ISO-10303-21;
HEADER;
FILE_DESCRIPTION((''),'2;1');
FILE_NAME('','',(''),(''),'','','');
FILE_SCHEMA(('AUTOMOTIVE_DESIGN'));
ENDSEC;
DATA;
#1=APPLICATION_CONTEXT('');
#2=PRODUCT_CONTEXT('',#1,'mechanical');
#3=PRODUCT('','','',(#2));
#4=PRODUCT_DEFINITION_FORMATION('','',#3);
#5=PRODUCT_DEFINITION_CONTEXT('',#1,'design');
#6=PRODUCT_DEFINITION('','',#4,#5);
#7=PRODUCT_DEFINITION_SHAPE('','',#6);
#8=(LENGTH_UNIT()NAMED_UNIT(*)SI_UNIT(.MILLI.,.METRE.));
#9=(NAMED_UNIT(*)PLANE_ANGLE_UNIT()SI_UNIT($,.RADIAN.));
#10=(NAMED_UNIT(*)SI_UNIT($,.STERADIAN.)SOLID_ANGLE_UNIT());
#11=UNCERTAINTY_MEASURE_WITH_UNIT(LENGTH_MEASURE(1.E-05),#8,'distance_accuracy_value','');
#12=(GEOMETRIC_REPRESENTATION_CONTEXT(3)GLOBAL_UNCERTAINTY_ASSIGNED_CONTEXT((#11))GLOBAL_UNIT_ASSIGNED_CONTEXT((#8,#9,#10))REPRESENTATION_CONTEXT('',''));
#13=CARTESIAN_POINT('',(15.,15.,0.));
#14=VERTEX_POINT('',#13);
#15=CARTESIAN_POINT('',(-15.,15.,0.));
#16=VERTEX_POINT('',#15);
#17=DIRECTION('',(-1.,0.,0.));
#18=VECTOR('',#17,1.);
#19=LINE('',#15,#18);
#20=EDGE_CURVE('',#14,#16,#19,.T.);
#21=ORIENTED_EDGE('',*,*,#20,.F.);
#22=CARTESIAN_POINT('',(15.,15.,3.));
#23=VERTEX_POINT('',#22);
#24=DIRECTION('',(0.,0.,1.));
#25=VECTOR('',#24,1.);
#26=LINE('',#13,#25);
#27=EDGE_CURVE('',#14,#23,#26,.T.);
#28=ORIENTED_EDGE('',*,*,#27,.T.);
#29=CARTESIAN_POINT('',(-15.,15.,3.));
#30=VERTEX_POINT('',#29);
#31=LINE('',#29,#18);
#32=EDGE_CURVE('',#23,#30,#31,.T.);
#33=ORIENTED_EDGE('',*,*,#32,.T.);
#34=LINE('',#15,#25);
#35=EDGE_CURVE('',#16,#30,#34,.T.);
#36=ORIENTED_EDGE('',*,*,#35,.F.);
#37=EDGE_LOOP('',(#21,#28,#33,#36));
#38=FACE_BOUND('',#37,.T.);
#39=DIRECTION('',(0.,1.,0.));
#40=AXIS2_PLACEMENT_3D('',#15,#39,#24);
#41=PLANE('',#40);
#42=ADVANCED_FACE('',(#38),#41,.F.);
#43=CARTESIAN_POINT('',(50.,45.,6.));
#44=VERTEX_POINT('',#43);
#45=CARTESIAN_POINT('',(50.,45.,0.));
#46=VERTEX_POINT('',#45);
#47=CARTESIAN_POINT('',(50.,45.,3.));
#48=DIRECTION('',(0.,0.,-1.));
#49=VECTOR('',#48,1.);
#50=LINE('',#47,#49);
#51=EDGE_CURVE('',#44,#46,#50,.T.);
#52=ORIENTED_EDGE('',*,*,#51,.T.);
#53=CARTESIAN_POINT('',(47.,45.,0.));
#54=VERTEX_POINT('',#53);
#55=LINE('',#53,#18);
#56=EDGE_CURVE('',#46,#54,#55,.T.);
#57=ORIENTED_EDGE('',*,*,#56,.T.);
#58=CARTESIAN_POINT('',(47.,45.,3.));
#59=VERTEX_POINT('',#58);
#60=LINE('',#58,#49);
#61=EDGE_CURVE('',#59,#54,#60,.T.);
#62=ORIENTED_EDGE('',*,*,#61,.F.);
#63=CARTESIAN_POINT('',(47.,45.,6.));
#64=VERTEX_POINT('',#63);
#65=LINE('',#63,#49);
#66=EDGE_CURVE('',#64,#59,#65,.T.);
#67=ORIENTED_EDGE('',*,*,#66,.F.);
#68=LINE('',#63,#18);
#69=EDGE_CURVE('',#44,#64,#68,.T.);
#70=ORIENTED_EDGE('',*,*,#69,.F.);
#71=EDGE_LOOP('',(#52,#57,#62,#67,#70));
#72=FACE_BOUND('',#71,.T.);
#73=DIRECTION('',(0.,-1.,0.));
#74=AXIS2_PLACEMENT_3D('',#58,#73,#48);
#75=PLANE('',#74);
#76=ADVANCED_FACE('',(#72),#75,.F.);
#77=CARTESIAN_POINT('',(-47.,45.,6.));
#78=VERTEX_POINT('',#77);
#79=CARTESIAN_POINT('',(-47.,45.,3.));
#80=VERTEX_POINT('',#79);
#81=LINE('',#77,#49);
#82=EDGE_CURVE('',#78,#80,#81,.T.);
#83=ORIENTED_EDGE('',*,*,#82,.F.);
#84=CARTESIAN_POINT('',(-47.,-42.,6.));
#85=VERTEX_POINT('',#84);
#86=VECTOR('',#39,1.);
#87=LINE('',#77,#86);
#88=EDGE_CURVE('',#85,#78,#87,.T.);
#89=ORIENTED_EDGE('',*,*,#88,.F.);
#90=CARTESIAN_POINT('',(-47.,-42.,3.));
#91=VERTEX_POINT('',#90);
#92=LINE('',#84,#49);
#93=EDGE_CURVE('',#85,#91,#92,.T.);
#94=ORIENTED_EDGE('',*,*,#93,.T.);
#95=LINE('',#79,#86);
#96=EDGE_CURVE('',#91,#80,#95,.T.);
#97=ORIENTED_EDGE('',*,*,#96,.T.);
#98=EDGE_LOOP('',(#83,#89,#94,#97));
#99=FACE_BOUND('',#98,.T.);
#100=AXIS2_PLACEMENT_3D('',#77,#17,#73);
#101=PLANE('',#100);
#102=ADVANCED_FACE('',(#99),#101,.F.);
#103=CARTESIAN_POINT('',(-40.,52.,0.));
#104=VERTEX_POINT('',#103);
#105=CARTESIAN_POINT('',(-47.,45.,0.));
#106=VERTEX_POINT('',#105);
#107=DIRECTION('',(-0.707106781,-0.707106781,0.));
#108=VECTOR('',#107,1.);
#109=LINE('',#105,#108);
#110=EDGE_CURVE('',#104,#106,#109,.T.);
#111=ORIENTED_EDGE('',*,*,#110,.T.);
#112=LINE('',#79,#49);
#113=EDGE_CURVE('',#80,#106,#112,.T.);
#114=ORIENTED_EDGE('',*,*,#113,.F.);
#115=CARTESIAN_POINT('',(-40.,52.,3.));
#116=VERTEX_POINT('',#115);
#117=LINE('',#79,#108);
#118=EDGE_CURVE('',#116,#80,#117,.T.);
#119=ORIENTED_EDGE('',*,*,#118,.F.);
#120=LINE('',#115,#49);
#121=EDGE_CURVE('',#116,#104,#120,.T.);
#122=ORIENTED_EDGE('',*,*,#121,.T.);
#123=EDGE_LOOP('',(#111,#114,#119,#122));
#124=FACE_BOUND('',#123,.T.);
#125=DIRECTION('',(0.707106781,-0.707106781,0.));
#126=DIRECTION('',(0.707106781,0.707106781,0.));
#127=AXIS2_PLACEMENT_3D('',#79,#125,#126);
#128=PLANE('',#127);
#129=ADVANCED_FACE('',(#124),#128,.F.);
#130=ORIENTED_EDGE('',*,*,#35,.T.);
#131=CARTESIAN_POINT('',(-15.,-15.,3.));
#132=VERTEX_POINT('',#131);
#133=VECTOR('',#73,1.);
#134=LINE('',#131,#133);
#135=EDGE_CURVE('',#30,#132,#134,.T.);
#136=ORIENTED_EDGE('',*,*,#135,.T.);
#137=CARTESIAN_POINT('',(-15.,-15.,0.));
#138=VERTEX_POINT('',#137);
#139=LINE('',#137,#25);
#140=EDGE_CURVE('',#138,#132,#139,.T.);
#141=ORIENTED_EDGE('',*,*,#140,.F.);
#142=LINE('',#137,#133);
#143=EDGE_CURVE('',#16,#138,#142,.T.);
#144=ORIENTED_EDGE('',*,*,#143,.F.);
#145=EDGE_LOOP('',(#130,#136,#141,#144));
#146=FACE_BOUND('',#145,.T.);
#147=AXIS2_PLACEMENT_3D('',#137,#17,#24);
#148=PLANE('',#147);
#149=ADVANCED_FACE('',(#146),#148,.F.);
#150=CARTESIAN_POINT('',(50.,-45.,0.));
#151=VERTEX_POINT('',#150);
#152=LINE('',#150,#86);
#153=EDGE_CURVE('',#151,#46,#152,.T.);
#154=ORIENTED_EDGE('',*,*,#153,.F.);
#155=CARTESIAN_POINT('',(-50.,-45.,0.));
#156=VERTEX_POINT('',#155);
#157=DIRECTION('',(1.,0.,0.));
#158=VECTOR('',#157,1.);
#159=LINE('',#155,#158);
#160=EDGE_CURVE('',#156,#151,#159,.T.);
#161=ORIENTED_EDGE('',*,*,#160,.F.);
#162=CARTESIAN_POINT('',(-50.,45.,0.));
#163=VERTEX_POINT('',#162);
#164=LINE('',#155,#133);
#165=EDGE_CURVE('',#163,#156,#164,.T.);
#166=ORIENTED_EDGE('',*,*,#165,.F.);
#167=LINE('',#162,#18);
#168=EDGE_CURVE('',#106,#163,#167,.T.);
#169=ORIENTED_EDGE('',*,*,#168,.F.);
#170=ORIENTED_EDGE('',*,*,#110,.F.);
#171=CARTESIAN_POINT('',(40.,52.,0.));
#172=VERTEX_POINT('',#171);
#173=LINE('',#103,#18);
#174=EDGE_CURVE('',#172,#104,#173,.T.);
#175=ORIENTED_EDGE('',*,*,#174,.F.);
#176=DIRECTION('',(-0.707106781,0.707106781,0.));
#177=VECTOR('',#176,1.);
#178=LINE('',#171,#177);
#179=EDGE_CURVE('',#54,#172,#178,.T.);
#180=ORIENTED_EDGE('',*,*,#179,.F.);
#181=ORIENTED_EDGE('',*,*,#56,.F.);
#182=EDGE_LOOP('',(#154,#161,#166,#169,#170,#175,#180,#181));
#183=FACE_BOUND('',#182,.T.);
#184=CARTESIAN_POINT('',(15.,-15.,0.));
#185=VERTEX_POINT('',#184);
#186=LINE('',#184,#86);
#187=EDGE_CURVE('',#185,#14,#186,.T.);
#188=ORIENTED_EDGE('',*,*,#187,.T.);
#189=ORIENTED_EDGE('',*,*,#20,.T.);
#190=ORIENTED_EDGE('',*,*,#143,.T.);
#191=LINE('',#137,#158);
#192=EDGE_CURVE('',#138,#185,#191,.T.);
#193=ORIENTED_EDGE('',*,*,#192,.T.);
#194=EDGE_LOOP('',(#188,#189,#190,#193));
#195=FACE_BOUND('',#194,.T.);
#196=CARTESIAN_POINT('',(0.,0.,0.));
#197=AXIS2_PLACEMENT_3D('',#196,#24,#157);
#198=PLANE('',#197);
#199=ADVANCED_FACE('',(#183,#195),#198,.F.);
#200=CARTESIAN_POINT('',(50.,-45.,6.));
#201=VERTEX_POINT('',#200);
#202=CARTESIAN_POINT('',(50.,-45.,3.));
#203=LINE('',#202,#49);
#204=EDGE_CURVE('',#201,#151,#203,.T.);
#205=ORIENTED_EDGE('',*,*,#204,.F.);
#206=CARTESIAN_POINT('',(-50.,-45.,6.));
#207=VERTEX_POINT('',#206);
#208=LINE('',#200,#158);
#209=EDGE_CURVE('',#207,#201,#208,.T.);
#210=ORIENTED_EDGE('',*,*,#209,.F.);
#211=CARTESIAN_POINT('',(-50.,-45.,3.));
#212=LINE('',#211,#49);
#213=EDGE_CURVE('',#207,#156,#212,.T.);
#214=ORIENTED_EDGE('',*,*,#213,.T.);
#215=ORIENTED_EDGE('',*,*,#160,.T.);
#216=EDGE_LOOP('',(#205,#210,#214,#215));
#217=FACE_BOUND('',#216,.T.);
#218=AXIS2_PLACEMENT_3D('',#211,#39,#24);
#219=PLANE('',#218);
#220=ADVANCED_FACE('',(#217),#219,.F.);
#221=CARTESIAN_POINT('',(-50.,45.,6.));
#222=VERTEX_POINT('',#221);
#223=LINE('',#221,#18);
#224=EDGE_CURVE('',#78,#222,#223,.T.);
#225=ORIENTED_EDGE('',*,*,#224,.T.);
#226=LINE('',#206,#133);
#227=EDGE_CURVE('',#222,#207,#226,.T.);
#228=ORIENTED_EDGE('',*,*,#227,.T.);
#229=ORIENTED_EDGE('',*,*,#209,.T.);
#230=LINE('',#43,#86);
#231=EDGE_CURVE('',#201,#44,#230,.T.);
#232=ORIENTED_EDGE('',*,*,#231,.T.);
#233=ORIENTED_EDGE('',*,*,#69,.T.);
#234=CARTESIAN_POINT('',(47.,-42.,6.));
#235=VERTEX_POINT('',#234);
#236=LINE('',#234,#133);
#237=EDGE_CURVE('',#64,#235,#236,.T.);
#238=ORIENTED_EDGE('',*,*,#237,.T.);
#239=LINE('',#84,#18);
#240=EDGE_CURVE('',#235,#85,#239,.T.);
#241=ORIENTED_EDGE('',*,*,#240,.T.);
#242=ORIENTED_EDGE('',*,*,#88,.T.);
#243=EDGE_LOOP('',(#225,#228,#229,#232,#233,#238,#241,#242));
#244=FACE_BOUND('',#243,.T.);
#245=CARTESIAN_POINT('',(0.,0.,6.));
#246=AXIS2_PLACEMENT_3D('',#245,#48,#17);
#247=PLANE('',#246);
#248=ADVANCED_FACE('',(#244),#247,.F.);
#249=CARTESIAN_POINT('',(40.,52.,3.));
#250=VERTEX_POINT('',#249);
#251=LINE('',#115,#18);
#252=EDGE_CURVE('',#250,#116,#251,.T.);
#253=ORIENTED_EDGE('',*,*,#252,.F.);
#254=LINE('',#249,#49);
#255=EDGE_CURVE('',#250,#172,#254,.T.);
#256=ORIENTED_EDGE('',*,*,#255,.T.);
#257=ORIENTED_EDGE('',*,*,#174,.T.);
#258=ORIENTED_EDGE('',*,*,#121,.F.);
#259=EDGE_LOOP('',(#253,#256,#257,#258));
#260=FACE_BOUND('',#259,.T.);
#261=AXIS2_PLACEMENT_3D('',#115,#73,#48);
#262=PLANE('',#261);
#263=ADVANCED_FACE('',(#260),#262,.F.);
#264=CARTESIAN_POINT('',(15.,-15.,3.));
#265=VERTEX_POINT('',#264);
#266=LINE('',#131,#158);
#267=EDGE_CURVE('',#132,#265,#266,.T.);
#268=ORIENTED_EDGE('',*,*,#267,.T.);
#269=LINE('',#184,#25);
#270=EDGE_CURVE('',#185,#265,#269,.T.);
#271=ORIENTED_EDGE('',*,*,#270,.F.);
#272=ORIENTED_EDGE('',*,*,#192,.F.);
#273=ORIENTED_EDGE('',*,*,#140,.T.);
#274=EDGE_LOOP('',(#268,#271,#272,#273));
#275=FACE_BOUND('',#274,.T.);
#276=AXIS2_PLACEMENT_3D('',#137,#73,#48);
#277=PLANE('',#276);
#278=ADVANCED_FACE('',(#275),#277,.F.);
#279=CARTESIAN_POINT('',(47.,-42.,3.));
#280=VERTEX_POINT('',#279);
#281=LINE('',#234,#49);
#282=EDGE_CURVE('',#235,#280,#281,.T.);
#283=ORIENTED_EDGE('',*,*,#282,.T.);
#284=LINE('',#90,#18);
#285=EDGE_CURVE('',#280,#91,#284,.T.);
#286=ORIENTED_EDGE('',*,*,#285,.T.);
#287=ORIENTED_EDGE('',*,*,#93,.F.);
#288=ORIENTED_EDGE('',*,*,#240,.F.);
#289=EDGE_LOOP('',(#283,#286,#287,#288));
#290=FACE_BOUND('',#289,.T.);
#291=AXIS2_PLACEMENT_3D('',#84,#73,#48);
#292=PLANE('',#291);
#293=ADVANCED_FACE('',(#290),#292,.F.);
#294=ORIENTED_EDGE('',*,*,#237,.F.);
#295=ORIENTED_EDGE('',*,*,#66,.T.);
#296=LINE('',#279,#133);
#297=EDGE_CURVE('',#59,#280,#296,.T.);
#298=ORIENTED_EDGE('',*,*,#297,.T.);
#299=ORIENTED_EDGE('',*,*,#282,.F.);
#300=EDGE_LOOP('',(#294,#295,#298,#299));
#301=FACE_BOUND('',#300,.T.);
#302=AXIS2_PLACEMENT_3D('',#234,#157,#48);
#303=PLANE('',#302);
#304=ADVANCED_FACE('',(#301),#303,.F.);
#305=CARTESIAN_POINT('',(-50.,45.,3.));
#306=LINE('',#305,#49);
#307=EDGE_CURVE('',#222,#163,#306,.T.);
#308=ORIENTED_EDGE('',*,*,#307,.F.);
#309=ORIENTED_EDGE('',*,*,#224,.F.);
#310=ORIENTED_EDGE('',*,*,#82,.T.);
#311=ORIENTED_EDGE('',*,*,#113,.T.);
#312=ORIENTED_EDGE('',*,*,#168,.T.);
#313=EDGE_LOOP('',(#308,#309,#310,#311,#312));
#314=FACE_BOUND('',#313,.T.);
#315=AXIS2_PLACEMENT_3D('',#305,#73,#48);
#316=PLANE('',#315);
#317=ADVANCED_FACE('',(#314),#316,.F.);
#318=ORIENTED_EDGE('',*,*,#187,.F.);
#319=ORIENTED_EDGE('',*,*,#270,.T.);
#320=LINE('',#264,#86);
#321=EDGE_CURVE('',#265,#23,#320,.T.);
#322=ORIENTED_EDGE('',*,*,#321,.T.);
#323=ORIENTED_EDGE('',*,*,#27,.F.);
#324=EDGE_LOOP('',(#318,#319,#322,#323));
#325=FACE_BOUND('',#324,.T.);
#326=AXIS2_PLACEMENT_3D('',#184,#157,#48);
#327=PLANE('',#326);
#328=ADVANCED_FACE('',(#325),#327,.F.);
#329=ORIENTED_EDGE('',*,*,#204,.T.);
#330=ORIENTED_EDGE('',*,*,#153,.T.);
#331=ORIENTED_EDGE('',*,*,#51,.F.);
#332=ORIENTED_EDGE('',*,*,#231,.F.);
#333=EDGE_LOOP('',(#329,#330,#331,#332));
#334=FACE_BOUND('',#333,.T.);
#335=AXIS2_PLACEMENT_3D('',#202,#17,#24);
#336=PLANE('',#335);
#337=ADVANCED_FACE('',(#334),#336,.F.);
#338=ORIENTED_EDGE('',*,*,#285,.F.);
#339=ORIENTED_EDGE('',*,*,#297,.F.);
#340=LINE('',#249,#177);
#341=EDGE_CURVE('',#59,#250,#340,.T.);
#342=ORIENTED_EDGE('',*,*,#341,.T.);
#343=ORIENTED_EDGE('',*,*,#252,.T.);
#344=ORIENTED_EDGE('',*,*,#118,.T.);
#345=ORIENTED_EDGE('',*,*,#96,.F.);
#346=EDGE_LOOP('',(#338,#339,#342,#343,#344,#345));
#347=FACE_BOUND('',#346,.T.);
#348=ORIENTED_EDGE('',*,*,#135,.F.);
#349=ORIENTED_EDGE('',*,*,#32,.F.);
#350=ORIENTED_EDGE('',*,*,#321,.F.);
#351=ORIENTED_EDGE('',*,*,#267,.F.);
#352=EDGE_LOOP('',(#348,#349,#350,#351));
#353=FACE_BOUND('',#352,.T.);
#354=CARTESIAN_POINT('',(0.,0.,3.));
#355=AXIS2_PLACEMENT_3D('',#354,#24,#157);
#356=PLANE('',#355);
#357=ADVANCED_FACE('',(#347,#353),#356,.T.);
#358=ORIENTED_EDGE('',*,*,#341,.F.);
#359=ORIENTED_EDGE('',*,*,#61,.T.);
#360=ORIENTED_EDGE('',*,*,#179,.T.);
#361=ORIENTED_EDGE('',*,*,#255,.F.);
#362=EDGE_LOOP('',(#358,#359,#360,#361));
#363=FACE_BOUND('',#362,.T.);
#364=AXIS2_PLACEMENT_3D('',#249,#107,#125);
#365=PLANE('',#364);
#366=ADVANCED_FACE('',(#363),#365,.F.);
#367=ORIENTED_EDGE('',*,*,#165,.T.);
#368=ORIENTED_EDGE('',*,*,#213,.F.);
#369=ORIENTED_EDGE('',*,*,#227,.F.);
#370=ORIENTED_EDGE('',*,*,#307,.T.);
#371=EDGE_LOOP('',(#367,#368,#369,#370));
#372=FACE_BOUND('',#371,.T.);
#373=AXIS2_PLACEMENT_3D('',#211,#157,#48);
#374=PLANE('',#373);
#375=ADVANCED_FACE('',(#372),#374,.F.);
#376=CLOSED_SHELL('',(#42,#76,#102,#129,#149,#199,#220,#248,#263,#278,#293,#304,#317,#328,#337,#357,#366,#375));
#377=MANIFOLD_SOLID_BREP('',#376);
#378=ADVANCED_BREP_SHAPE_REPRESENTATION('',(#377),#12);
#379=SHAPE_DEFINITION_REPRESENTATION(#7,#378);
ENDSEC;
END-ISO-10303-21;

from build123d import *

# Parameters (mm, degrees)
SALIENTE_EXTRUIR1_DEPTH = 3
CROQUIS3_W              = 30
CROQUIS3_H              = 30
CORTAR_EXTRUIR1_DEPTH   = 3
SALIENTE_EXTRUIR2_DEPTH = 3


with BuildPart() as part:
    # Croquis1 → Saliente-Extruir1 (new body)
    with BuildSketch(Plane.XY):
        Polygon((-50, 45), (-47, 45), (-40, 52), (40, 52), (47, 45), (50, 45), (50, -45), (-50, -45), align=None)
    extrude(amount=SALIENTE_EXTRUIR1_DEPTH)

    # Croquis3 → Cortar-Extruir1 (cut)
    with BuildSketch(Plane.XY.offset(3)):
        Rectangle(CROQUIS3_W, CROQUIS3_H)
    extrude(amount=-CORTAR_EXTRUIR1_DEPTH, mode=Mode.SUBTRACT)

    # Croquis4 → Saliente-Extruir2 (add)
    with BuildSketch(Plane.XY.offset(3)):
        Polygon((-50, 45), (-47, 45), (-47, -42), (47, -42), (47, 45), (50, 45), (50, -45), (-50, -45), align=None)
    extrude(amount=SALIENTE_EXTRUIR2_DEPTH)


solid = part.part
